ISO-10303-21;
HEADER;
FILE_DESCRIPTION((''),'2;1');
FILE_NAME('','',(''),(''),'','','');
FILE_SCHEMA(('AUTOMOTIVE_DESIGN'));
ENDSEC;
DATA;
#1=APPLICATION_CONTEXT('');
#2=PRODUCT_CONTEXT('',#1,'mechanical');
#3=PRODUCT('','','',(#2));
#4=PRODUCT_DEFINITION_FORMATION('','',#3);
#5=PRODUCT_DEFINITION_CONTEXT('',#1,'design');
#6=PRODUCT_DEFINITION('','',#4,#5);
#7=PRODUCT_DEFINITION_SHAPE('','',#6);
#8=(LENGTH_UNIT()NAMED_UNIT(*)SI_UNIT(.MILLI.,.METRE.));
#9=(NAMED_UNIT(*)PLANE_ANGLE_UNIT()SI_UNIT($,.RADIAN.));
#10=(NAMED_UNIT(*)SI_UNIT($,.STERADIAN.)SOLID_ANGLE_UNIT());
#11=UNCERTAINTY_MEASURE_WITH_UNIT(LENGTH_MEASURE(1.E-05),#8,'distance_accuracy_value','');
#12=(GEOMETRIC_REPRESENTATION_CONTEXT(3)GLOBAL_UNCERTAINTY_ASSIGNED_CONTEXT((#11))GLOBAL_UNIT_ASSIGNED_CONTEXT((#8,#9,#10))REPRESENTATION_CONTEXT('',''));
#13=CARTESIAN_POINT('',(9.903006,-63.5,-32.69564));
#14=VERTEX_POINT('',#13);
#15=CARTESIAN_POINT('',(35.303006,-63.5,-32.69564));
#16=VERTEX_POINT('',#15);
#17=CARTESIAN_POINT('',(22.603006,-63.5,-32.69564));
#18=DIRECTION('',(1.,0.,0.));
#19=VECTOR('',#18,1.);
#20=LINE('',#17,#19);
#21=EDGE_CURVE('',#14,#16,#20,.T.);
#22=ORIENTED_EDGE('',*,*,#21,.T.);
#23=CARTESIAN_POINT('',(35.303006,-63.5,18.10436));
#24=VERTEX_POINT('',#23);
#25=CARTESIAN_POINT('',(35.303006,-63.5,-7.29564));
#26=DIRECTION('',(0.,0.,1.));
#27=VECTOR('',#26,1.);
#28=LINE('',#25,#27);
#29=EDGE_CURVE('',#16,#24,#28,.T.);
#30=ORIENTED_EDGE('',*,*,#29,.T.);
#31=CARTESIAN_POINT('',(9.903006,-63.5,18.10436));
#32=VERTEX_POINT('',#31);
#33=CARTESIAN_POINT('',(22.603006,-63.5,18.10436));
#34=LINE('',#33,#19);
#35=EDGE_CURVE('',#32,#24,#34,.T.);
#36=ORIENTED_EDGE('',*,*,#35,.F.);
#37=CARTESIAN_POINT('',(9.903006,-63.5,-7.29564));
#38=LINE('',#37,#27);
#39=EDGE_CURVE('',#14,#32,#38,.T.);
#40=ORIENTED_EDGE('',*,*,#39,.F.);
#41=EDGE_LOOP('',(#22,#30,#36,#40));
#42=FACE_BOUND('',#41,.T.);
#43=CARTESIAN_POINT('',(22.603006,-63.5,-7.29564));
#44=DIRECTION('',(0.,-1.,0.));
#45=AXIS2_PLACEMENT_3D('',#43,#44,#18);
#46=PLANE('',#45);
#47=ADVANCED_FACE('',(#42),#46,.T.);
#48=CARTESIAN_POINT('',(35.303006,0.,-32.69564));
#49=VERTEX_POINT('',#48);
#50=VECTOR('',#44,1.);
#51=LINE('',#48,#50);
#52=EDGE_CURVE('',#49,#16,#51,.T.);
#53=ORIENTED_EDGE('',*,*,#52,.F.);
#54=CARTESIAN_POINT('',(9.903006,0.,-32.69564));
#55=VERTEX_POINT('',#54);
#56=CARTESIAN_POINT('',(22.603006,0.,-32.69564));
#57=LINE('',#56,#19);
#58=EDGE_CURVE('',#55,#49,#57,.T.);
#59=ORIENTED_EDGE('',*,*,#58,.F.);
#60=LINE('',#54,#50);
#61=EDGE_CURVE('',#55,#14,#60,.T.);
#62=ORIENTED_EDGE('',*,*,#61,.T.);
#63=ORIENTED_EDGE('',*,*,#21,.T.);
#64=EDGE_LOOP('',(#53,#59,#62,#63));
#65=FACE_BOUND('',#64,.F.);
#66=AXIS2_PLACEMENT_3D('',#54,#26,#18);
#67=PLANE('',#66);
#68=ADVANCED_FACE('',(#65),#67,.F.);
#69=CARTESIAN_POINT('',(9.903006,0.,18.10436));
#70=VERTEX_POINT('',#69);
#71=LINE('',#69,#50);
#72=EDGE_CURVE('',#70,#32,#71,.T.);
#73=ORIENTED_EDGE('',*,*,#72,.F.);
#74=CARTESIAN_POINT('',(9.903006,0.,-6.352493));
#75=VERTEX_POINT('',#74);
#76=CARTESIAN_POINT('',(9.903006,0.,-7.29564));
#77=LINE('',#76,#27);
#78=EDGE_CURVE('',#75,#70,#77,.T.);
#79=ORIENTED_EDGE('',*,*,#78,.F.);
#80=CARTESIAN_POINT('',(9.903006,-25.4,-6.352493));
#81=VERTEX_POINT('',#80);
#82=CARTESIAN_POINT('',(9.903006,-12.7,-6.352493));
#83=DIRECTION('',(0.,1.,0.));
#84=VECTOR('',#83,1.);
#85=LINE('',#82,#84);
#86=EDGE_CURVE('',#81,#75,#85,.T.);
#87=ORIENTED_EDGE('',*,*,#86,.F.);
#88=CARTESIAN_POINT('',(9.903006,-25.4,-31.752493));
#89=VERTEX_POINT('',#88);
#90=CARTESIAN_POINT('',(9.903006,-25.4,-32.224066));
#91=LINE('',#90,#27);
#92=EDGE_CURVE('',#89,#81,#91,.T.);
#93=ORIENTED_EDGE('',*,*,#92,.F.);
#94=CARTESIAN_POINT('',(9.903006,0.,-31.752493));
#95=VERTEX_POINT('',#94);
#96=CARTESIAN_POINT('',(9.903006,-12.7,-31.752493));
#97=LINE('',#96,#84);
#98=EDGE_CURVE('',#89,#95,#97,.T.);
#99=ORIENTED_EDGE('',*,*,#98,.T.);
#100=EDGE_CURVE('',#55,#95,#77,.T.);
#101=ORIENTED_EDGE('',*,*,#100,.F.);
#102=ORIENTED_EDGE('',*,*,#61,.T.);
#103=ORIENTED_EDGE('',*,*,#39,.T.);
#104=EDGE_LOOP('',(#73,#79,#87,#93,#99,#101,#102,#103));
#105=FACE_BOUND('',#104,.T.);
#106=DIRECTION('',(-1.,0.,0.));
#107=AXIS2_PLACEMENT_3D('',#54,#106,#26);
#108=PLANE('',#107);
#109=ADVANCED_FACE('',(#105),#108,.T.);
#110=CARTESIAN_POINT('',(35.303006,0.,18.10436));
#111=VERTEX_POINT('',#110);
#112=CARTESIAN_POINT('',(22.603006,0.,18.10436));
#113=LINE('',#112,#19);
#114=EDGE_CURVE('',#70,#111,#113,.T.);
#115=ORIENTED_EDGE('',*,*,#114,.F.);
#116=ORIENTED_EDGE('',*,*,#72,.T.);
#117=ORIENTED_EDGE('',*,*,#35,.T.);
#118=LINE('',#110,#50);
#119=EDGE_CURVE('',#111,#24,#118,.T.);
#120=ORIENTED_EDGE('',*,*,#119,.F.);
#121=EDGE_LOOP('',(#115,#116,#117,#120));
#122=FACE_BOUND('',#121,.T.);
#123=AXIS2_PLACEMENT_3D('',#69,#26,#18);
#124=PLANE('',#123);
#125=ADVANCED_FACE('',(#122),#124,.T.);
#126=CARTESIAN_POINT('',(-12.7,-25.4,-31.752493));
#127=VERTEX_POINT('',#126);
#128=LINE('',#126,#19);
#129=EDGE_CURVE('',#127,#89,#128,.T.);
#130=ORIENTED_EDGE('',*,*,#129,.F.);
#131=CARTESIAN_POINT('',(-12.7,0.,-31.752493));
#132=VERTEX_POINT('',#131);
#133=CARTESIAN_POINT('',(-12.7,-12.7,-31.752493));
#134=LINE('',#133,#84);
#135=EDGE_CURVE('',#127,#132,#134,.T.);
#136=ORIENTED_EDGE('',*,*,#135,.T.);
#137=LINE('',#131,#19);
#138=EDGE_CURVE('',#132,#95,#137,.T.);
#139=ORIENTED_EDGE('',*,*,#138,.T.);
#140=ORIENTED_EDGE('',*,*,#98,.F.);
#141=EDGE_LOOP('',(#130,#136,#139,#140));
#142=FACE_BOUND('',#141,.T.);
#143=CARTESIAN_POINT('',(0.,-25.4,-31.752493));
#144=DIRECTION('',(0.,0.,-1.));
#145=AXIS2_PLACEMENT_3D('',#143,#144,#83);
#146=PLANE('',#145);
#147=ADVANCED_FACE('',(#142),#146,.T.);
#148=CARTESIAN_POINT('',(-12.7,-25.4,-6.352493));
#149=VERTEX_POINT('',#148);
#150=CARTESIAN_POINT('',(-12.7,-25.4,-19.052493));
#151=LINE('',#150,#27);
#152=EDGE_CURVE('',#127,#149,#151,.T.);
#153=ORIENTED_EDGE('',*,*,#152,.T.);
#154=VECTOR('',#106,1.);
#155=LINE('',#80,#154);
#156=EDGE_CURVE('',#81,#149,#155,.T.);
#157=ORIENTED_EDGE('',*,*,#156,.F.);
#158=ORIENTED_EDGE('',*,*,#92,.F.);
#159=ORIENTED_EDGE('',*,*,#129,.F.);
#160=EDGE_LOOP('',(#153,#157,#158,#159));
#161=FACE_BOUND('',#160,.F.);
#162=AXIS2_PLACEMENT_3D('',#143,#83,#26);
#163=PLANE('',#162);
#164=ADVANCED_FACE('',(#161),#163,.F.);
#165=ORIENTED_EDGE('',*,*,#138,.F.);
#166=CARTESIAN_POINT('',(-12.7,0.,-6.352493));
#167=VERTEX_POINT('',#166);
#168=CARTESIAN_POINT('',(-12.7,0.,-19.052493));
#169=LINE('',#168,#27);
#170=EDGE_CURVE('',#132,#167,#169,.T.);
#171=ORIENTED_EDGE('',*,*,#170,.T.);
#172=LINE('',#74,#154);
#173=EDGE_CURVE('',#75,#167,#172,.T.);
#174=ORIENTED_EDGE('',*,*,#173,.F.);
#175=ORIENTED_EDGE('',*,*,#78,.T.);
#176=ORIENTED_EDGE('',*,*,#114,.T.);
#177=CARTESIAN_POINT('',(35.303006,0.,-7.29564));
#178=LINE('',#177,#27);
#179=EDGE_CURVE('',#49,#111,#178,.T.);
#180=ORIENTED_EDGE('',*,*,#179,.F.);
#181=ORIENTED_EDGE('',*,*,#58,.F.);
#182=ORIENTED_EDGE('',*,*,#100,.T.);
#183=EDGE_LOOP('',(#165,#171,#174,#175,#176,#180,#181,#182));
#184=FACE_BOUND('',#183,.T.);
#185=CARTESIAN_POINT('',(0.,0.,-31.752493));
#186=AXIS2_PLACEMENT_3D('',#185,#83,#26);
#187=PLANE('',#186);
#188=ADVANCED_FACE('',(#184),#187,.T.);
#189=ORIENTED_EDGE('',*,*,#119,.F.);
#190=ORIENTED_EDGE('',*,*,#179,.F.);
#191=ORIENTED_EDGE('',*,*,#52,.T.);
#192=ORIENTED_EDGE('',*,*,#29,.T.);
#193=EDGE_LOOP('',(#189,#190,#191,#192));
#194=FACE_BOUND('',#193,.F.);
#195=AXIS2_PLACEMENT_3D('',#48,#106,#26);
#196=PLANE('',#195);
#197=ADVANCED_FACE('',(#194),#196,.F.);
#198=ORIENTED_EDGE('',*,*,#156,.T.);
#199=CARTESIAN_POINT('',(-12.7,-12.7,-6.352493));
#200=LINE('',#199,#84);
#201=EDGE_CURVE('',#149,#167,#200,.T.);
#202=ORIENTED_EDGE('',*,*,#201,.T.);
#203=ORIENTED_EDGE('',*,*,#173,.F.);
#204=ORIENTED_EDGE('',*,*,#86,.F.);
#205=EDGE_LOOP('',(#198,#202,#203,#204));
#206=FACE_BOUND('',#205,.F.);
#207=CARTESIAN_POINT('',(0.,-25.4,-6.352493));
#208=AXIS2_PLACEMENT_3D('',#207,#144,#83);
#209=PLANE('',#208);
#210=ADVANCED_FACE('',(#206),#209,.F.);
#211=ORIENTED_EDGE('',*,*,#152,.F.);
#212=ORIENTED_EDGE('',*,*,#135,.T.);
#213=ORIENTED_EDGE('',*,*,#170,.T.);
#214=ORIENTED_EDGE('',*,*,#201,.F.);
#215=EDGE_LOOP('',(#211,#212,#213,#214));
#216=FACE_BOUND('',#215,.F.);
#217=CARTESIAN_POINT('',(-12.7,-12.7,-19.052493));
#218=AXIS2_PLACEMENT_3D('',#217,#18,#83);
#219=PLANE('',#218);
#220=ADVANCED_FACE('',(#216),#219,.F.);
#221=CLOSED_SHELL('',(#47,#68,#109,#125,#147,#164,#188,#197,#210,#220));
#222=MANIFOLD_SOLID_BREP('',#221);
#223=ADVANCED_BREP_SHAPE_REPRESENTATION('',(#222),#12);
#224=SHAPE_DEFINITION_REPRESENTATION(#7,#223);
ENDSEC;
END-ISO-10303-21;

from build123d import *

# Parameters (mm, degrees)
F0_W          = 25.4
F0_H          = 50.8
F1_DEPTH      = 63.5
F2_W          = 25.4
F2_H          = 25.4
F3_DEPTH      = 25.146
F3_DEPTH_BACK = 12.7


with BuildPart() as f1:
    # F0 (on Front) → F1 (new body)
    with BuildSketch(Plane.XZ):
        with Locations((22.603006, -7.29564)):
            Rectangle(F0_W, F0_H)
    extrude(amount=F1_DEPTH)

    # F2 (on Right) → F3 (join, two sides)
    with BuildSketch(Plane.YZ) as f3_sk:
        with Locations((-12.7, -19.052493)):
            Rectangle(F2_W, F2_H)
    extrude(amount=F3_DEPTH)
    extrude(f3_sk.sketch, amount=-F3_DEPTH_BACK)


solid = f1.part
